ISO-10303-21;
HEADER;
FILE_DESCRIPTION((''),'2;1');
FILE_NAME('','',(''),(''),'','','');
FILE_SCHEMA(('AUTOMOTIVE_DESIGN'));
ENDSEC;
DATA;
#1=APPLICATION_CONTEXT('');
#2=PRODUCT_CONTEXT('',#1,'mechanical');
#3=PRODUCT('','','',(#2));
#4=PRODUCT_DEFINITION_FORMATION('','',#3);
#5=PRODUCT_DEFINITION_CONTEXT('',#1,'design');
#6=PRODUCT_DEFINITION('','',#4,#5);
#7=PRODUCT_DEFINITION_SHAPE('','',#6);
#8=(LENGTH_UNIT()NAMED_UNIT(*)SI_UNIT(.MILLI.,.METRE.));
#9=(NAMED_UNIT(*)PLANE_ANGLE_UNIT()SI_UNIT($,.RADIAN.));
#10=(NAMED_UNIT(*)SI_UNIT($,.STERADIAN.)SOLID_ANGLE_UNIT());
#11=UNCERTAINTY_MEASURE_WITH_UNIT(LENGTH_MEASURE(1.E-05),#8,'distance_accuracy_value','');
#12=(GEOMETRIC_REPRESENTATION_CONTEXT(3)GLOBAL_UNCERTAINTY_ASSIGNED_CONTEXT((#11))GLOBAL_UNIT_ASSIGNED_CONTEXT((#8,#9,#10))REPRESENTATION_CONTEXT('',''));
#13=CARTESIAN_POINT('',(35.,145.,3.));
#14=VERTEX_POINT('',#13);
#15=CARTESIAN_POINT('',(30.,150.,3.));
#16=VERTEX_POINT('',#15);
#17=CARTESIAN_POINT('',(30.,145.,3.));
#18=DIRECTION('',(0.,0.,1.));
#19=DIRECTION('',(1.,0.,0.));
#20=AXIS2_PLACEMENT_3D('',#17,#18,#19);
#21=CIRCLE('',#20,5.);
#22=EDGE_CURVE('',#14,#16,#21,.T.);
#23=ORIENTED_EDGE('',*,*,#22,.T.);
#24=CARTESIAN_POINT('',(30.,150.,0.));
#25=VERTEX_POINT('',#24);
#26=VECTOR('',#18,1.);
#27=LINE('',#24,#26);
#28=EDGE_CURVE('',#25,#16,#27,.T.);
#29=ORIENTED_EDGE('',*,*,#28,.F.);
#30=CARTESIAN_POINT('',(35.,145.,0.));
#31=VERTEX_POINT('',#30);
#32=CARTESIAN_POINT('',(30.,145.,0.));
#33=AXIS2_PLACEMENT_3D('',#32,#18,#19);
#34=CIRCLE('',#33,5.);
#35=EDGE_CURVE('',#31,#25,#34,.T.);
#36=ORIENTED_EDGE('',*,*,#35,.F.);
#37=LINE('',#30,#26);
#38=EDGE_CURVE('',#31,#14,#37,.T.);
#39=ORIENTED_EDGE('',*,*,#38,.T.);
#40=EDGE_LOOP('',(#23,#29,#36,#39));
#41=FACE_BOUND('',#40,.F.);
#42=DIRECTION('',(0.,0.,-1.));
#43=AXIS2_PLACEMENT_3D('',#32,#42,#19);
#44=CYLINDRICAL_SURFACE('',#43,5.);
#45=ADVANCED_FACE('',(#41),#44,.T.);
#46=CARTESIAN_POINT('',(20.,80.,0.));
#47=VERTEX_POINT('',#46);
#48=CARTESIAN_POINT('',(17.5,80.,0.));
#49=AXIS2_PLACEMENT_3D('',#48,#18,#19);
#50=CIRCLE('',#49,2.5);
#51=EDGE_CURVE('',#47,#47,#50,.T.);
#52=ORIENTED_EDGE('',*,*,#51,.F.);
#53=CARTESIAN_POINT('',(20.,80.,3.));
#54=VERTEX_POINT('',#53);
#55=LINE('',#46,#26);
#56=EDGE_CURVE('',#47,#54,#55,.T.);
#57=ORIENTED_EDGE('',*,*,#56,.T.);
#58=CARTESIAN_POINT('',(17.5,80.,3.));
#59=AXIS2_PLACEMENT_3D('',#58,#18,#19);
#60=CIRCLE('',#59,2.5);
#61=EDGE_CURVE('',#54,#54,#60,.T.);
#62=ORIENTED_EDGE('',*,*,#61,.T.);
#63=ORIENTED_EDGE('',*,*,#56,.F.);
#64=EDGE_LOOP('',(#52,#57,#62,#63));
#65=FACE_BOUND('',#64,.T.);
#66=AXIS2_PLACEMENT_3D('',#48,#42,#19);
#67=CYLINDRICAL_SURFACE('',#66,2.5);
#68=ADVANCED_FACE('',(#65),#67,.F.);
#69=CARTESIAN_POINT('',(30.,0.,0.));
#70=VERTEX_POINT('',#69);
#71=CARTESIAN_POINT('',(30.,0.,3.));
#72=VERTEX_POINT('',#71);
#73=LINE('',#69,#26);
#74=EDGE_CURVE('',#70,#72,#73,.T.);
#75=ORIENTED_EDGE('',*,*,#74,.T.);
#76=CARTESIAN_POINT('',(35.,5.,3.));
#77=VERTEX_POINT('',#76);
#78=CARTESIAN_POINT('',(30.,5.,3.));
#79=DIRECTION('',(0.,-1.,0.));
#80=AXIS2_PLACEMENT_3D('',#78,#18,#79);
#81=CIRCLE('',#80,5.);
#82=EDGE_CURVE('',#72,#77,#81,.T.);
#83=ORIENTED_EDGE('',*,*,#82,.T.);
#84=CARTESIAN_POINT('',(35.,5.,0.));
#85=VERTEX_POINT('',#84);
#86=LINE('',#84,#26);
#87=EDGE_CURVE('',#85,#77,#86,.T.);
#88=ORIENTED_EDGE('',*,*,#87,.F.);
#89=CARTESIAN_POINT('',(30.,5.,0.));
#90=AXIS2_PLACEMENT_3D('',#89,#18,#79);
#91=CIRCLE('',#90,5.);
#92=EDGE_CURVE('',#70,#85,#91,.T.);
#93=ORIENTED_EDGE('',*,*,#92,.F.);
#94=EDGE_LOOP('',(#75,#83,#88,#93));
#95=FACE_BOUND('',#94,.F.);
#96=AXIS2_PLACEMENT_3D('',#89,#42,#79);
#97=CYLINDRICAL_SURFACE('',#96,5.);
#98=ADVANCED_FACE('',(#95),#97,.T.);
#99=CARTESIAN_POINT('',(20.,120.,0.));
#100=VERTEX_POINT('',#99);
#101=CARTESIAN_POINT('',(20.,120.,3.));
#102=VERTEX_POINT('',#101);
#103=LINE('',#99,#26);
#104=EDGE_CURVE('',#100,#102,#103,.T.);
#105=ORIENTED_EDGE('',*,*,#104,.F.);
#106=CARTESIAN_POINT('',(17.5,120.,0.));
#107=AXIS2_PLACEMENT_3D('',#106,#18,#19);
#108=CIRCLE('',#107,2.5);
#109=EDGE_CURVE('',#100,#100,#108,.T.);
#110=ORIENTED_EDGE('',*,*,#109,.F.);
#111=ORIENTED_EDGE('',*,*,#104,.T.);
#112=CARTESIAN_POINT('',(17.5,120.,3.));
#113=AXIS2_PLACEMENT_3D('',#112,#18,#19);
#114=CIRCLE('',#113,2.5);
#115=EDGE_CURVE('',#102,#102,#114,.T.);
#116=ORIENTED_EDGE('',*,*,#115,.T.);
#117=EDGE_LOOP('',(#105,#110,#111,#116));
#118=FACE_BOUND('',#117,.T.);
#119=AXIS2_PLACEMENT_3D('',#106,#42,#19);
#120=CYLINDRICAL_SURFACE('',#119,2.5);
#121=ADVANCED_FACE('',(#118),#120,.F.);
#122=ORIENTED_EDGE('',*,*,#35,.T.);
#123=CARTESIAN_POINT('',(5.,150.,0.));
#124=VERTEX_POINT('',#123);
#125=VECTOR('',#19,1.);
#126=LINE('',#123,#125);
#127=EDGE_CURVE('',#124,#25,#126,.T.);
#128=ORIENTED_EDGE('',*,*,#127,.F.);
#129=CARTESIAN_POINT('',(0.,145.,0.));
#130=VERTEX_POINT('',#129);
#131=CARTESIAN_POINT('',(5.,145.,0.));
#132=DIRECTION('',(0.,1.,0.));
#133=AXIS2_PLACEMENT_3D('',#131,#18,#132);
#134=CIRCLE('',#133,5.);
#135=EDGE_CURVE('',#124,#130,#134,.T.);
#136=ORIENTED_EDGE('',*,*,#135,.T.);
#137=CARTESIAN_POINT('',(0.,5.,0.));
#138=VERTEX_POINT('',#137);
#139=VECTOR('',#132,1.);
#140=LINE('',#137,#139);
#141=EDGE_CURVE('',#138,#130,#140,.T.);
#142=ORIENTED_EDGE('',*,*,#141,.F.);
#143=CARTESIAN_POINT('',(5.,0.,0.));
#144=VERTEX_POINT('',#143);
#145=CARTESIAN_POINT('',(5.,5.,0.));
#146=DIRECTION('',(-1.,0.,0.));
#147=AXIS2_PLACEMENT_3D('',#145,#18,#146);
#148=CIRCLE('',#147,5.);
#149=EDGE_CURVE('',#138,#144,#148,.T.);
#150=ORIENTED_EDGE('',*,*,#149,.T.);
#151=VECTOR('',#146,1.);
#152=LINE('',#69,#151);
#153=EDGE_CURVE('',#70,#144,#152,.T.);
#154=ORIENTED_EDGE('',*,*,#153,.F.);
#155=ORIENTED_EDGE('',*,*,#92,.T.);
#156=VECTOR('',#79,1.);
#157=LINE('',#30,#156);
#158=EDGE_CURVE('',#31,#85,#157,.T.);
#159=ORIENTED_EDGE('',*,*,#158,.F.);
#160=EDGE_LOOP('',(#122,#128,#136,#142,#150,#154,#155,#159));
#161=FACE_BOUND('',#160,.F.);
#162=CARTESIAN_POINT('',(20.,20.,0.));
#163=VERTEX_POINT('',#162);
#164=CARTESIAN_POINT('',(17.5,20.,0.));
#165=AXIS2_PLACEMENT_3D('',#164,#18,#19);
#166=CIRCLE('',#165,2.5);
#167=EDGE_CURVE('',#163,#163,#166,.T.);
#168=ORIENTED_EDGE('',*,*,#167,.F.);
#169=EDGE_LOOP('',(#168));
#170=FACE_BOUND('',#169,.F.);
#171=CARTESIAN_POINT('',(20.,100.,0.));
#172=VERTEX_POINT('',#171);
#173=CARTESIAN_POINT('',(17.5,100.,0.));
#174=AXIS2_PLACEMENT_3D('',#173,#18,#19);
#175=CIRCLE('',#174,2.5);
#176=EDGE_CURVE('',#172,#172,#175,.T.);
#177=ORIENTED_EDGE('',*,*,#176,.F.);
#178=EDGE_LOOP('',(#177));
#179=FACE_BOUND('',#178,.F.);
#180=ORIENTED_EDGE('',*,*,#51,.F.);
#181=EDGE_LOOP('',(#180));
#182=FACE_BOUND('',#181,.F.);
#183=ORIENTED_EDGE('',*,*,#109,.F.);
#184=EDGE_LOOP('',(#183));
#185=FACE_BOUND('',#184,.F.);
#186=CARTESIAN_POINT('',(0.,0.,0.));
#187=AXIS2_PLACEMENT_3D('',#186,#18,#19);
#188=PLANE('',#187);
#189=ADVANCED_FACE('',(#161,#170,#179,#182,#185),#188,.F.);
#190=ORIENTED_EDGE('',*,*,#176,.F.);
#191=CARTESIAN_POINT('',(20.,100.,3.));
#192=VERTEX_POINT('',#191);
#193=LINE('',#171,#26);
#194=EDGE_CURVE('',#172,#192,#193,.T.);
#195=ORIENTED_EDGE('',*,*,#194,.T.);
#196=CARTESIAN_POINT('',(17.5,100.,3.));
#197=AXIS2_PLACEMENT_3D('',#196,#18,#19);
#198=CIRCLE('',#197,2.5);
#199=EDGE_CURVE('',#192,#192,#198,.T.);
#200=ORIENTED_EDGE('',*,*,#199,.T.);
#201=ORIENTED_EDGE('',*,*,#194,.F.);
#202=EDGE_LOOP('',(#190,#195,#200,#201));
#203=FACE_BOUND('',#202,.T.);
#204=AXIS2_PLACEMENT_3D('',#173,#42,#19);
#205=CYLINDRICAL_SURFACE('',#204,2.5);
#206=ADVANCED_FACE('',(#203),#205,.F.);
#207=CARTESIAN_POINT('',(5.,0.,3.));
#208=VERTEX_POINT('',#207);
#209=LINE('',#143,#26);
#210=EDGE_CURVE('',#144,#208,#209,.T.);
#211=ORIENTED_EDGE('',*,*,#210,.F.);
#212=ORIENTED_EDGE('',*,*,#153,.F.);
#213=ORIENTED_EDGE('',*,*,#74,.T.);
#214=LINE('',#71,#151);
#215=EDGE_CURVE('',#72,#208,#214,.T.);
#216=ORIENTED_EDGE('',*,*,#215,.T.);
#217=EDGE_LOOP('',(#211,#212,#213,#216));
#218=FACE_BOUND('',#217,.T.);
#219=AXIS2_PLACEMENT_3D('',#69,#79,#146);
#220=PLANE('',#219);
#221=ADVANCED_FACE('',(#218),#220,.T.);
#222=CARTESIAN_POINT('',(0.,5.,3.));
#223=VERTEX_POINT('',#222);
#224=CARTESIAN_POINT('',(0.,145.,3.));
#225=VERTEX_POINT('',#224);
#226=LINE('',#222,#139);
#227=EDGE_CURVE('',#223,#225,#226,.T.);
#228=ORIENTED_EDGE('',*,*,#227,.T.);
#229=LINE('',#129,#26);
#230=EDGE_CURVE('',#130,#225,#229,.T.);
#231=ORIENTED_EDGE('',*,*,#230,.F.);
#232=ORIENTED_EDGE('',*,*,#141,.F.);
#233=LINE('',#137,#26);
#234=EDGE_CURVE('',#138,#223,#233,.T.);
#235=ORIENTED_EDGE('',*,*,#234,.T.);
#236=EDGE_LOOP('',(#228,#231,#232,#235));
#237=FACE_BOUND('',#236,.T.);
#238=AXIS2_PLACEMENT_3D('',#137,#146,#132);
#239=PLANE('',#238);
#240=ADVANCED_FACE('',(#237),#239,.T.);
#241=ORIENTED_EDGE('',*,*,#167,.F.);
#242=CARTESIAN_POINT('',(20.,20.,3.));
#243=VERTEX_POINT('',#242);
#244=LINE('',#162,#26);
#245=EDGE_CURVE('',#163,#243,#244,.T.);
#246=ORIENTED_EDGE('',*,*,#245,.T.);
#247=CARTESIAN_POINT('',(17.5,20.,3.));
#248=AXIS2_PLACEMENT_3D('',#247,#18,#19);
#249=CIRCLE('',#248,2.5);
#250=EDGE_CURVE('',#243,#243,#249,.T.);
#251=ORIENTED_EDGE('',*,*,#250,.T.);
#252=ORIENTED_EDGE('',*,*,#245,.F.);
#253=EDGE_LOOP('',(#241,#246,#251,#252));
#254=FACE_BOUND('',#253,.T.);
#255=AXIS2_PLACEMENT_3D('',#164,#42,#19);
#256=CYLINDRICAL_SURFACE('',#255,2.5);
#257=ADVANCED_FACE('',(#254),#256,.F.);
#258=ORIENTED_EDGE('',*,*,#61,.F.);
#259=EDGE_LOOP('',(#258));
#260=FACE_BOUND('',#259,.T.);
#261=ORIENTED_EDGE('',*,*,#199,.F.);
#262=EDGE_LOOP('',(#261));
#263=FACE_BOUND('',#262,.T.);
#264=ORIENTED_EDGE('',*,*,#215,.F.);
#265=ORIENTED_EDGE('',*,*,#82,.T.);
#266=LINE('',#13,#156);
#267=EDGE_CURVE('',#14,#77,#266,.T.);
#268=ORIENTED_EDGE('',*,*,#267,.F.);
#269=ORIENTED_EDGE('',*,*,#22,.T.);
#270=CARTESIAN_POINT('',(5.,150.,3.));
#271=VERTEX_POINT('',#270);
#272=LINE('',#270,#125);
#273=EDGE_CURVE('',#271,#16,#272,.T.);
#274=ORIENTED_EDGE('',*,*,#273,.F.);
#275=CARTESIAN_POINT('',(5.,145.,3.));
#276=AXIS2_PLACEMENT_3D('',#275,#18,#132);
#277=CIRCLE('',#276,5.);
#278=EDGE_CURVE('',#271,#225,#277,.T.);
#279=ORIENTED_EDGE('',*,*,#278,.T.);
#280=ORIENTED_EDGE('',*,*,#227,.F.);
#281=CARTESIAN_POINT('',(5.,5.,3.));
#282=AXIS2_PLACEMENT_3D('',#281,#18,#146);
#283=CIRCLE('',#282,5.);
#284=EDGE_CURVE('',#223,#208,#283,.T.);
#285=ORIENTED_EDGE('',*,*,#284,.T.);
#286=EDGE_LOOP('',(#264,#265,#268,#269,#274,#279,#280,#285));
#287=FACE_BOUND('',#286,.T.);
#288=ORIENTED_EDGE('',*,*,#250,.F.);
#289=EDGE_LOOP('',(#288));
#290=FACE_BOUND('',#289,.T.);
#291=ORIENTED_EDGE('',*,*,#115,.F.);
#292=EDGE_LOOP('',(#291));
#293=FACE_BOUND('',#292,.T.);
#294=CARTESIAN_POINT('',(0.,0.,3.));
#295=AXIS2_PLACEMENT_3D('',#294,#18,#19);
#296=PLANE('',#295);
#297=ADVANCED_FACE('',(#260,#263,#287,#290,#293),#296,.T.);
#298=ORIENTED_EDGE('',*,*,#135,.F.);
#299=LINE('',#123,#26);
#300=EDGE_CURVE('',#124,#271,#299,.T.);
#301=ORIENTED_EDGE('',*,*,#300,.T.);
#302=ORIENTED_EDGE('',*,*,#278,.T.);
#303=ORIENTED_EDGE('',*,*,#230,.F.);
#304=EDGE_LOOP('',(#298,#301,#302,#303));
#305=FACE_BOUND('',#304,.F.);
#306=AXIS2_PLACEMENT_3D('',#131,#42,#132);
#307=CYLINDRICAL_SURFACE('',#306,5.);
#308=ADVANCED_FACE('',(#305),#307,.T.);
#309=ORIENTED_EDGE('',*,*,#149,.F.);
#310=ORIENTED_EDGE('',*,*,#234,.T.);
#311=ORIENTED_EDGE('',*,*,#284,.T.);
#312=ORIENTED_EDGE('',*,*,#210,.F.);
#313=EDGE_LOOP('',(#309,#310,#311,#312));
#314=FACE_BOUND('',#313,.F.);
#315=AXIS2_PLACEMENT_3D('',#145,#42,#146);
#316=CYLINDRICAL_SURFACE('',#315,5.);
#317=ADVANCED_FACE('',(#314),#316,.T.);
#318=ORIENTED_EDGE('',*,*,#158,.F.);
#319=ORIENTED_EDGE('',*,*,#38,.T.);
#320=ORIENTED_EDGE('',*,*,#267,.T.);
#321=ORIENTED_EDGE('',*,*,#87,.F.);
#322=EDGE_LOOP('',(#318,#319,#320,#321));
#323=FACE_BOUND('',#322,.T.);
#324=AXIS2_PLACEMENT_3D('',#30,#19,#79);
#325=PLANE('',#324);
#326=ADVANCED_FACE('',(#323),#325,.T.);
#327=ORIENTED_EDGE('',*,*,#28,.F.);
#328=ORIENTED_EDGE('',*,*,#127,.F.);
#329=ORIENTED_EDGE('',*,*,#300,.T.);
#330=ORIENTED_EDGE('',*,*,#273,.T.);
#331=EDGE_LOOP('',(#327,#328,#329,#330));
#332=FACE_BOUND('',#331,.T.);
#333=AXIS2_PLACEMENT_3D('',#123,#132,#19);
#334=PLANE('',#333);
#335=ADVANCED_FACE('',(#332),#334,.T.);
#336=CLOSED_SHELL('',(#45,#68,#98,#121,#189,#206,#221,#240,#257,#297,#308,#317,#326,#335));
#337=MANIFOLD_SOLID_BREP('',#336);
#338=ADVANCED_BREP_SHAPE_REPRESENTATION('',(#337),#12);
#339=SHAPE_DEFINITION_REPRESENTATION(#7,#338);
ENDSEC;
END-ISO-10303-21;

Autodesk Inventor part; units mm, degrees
ref_plane "YZ Plane" through (0, 0, 0) normal (1, 0, 0) x (0, 1, 0)
ref_plane "XZ Plane" through (0, 0, 0) normal (0, 1, 0) x (-1, 0, 0)
ref_plane "XY Plane" through (0, 0, 0) normal (0, 0, 1) x (1, 0, 0)
sketch "Boceto1" plane through (0, 0, 0) normal (0, 0, 1) x (1, 0, 0)
  line L0 (0, 5) -> (0, 145)
  line L1 (5, 150) -> (30, 150)
  line L2 (35, 145) -> (35, 5)
  line L3 (30, 0) -> (5, 0)
  arc A0 (35, 145) -> (30, 150) centre (30, 145) ccw
  arc A1 (5, 150) -> (0, 145) centre (5, 145) ccw
  arc A2 (0, 5) -> (5, 0) centre (5, 5) ccw
  arc A3 (30, 0) -> (35, 5) centre (30, 5) ccw
  circle A4 centre (17.5, 120) radius 2.5
  circle A5 centre (17.5, 100) radius 2.5
  circle A6 centre (17.5, 80) radius 2.5
  circle A7 centre (17.5, 20) radius 2.5
  point P0 (0, 0)
extrude "Extrusión1" add sketch "Boceto1" along normal blind 3
properties part number "4"
